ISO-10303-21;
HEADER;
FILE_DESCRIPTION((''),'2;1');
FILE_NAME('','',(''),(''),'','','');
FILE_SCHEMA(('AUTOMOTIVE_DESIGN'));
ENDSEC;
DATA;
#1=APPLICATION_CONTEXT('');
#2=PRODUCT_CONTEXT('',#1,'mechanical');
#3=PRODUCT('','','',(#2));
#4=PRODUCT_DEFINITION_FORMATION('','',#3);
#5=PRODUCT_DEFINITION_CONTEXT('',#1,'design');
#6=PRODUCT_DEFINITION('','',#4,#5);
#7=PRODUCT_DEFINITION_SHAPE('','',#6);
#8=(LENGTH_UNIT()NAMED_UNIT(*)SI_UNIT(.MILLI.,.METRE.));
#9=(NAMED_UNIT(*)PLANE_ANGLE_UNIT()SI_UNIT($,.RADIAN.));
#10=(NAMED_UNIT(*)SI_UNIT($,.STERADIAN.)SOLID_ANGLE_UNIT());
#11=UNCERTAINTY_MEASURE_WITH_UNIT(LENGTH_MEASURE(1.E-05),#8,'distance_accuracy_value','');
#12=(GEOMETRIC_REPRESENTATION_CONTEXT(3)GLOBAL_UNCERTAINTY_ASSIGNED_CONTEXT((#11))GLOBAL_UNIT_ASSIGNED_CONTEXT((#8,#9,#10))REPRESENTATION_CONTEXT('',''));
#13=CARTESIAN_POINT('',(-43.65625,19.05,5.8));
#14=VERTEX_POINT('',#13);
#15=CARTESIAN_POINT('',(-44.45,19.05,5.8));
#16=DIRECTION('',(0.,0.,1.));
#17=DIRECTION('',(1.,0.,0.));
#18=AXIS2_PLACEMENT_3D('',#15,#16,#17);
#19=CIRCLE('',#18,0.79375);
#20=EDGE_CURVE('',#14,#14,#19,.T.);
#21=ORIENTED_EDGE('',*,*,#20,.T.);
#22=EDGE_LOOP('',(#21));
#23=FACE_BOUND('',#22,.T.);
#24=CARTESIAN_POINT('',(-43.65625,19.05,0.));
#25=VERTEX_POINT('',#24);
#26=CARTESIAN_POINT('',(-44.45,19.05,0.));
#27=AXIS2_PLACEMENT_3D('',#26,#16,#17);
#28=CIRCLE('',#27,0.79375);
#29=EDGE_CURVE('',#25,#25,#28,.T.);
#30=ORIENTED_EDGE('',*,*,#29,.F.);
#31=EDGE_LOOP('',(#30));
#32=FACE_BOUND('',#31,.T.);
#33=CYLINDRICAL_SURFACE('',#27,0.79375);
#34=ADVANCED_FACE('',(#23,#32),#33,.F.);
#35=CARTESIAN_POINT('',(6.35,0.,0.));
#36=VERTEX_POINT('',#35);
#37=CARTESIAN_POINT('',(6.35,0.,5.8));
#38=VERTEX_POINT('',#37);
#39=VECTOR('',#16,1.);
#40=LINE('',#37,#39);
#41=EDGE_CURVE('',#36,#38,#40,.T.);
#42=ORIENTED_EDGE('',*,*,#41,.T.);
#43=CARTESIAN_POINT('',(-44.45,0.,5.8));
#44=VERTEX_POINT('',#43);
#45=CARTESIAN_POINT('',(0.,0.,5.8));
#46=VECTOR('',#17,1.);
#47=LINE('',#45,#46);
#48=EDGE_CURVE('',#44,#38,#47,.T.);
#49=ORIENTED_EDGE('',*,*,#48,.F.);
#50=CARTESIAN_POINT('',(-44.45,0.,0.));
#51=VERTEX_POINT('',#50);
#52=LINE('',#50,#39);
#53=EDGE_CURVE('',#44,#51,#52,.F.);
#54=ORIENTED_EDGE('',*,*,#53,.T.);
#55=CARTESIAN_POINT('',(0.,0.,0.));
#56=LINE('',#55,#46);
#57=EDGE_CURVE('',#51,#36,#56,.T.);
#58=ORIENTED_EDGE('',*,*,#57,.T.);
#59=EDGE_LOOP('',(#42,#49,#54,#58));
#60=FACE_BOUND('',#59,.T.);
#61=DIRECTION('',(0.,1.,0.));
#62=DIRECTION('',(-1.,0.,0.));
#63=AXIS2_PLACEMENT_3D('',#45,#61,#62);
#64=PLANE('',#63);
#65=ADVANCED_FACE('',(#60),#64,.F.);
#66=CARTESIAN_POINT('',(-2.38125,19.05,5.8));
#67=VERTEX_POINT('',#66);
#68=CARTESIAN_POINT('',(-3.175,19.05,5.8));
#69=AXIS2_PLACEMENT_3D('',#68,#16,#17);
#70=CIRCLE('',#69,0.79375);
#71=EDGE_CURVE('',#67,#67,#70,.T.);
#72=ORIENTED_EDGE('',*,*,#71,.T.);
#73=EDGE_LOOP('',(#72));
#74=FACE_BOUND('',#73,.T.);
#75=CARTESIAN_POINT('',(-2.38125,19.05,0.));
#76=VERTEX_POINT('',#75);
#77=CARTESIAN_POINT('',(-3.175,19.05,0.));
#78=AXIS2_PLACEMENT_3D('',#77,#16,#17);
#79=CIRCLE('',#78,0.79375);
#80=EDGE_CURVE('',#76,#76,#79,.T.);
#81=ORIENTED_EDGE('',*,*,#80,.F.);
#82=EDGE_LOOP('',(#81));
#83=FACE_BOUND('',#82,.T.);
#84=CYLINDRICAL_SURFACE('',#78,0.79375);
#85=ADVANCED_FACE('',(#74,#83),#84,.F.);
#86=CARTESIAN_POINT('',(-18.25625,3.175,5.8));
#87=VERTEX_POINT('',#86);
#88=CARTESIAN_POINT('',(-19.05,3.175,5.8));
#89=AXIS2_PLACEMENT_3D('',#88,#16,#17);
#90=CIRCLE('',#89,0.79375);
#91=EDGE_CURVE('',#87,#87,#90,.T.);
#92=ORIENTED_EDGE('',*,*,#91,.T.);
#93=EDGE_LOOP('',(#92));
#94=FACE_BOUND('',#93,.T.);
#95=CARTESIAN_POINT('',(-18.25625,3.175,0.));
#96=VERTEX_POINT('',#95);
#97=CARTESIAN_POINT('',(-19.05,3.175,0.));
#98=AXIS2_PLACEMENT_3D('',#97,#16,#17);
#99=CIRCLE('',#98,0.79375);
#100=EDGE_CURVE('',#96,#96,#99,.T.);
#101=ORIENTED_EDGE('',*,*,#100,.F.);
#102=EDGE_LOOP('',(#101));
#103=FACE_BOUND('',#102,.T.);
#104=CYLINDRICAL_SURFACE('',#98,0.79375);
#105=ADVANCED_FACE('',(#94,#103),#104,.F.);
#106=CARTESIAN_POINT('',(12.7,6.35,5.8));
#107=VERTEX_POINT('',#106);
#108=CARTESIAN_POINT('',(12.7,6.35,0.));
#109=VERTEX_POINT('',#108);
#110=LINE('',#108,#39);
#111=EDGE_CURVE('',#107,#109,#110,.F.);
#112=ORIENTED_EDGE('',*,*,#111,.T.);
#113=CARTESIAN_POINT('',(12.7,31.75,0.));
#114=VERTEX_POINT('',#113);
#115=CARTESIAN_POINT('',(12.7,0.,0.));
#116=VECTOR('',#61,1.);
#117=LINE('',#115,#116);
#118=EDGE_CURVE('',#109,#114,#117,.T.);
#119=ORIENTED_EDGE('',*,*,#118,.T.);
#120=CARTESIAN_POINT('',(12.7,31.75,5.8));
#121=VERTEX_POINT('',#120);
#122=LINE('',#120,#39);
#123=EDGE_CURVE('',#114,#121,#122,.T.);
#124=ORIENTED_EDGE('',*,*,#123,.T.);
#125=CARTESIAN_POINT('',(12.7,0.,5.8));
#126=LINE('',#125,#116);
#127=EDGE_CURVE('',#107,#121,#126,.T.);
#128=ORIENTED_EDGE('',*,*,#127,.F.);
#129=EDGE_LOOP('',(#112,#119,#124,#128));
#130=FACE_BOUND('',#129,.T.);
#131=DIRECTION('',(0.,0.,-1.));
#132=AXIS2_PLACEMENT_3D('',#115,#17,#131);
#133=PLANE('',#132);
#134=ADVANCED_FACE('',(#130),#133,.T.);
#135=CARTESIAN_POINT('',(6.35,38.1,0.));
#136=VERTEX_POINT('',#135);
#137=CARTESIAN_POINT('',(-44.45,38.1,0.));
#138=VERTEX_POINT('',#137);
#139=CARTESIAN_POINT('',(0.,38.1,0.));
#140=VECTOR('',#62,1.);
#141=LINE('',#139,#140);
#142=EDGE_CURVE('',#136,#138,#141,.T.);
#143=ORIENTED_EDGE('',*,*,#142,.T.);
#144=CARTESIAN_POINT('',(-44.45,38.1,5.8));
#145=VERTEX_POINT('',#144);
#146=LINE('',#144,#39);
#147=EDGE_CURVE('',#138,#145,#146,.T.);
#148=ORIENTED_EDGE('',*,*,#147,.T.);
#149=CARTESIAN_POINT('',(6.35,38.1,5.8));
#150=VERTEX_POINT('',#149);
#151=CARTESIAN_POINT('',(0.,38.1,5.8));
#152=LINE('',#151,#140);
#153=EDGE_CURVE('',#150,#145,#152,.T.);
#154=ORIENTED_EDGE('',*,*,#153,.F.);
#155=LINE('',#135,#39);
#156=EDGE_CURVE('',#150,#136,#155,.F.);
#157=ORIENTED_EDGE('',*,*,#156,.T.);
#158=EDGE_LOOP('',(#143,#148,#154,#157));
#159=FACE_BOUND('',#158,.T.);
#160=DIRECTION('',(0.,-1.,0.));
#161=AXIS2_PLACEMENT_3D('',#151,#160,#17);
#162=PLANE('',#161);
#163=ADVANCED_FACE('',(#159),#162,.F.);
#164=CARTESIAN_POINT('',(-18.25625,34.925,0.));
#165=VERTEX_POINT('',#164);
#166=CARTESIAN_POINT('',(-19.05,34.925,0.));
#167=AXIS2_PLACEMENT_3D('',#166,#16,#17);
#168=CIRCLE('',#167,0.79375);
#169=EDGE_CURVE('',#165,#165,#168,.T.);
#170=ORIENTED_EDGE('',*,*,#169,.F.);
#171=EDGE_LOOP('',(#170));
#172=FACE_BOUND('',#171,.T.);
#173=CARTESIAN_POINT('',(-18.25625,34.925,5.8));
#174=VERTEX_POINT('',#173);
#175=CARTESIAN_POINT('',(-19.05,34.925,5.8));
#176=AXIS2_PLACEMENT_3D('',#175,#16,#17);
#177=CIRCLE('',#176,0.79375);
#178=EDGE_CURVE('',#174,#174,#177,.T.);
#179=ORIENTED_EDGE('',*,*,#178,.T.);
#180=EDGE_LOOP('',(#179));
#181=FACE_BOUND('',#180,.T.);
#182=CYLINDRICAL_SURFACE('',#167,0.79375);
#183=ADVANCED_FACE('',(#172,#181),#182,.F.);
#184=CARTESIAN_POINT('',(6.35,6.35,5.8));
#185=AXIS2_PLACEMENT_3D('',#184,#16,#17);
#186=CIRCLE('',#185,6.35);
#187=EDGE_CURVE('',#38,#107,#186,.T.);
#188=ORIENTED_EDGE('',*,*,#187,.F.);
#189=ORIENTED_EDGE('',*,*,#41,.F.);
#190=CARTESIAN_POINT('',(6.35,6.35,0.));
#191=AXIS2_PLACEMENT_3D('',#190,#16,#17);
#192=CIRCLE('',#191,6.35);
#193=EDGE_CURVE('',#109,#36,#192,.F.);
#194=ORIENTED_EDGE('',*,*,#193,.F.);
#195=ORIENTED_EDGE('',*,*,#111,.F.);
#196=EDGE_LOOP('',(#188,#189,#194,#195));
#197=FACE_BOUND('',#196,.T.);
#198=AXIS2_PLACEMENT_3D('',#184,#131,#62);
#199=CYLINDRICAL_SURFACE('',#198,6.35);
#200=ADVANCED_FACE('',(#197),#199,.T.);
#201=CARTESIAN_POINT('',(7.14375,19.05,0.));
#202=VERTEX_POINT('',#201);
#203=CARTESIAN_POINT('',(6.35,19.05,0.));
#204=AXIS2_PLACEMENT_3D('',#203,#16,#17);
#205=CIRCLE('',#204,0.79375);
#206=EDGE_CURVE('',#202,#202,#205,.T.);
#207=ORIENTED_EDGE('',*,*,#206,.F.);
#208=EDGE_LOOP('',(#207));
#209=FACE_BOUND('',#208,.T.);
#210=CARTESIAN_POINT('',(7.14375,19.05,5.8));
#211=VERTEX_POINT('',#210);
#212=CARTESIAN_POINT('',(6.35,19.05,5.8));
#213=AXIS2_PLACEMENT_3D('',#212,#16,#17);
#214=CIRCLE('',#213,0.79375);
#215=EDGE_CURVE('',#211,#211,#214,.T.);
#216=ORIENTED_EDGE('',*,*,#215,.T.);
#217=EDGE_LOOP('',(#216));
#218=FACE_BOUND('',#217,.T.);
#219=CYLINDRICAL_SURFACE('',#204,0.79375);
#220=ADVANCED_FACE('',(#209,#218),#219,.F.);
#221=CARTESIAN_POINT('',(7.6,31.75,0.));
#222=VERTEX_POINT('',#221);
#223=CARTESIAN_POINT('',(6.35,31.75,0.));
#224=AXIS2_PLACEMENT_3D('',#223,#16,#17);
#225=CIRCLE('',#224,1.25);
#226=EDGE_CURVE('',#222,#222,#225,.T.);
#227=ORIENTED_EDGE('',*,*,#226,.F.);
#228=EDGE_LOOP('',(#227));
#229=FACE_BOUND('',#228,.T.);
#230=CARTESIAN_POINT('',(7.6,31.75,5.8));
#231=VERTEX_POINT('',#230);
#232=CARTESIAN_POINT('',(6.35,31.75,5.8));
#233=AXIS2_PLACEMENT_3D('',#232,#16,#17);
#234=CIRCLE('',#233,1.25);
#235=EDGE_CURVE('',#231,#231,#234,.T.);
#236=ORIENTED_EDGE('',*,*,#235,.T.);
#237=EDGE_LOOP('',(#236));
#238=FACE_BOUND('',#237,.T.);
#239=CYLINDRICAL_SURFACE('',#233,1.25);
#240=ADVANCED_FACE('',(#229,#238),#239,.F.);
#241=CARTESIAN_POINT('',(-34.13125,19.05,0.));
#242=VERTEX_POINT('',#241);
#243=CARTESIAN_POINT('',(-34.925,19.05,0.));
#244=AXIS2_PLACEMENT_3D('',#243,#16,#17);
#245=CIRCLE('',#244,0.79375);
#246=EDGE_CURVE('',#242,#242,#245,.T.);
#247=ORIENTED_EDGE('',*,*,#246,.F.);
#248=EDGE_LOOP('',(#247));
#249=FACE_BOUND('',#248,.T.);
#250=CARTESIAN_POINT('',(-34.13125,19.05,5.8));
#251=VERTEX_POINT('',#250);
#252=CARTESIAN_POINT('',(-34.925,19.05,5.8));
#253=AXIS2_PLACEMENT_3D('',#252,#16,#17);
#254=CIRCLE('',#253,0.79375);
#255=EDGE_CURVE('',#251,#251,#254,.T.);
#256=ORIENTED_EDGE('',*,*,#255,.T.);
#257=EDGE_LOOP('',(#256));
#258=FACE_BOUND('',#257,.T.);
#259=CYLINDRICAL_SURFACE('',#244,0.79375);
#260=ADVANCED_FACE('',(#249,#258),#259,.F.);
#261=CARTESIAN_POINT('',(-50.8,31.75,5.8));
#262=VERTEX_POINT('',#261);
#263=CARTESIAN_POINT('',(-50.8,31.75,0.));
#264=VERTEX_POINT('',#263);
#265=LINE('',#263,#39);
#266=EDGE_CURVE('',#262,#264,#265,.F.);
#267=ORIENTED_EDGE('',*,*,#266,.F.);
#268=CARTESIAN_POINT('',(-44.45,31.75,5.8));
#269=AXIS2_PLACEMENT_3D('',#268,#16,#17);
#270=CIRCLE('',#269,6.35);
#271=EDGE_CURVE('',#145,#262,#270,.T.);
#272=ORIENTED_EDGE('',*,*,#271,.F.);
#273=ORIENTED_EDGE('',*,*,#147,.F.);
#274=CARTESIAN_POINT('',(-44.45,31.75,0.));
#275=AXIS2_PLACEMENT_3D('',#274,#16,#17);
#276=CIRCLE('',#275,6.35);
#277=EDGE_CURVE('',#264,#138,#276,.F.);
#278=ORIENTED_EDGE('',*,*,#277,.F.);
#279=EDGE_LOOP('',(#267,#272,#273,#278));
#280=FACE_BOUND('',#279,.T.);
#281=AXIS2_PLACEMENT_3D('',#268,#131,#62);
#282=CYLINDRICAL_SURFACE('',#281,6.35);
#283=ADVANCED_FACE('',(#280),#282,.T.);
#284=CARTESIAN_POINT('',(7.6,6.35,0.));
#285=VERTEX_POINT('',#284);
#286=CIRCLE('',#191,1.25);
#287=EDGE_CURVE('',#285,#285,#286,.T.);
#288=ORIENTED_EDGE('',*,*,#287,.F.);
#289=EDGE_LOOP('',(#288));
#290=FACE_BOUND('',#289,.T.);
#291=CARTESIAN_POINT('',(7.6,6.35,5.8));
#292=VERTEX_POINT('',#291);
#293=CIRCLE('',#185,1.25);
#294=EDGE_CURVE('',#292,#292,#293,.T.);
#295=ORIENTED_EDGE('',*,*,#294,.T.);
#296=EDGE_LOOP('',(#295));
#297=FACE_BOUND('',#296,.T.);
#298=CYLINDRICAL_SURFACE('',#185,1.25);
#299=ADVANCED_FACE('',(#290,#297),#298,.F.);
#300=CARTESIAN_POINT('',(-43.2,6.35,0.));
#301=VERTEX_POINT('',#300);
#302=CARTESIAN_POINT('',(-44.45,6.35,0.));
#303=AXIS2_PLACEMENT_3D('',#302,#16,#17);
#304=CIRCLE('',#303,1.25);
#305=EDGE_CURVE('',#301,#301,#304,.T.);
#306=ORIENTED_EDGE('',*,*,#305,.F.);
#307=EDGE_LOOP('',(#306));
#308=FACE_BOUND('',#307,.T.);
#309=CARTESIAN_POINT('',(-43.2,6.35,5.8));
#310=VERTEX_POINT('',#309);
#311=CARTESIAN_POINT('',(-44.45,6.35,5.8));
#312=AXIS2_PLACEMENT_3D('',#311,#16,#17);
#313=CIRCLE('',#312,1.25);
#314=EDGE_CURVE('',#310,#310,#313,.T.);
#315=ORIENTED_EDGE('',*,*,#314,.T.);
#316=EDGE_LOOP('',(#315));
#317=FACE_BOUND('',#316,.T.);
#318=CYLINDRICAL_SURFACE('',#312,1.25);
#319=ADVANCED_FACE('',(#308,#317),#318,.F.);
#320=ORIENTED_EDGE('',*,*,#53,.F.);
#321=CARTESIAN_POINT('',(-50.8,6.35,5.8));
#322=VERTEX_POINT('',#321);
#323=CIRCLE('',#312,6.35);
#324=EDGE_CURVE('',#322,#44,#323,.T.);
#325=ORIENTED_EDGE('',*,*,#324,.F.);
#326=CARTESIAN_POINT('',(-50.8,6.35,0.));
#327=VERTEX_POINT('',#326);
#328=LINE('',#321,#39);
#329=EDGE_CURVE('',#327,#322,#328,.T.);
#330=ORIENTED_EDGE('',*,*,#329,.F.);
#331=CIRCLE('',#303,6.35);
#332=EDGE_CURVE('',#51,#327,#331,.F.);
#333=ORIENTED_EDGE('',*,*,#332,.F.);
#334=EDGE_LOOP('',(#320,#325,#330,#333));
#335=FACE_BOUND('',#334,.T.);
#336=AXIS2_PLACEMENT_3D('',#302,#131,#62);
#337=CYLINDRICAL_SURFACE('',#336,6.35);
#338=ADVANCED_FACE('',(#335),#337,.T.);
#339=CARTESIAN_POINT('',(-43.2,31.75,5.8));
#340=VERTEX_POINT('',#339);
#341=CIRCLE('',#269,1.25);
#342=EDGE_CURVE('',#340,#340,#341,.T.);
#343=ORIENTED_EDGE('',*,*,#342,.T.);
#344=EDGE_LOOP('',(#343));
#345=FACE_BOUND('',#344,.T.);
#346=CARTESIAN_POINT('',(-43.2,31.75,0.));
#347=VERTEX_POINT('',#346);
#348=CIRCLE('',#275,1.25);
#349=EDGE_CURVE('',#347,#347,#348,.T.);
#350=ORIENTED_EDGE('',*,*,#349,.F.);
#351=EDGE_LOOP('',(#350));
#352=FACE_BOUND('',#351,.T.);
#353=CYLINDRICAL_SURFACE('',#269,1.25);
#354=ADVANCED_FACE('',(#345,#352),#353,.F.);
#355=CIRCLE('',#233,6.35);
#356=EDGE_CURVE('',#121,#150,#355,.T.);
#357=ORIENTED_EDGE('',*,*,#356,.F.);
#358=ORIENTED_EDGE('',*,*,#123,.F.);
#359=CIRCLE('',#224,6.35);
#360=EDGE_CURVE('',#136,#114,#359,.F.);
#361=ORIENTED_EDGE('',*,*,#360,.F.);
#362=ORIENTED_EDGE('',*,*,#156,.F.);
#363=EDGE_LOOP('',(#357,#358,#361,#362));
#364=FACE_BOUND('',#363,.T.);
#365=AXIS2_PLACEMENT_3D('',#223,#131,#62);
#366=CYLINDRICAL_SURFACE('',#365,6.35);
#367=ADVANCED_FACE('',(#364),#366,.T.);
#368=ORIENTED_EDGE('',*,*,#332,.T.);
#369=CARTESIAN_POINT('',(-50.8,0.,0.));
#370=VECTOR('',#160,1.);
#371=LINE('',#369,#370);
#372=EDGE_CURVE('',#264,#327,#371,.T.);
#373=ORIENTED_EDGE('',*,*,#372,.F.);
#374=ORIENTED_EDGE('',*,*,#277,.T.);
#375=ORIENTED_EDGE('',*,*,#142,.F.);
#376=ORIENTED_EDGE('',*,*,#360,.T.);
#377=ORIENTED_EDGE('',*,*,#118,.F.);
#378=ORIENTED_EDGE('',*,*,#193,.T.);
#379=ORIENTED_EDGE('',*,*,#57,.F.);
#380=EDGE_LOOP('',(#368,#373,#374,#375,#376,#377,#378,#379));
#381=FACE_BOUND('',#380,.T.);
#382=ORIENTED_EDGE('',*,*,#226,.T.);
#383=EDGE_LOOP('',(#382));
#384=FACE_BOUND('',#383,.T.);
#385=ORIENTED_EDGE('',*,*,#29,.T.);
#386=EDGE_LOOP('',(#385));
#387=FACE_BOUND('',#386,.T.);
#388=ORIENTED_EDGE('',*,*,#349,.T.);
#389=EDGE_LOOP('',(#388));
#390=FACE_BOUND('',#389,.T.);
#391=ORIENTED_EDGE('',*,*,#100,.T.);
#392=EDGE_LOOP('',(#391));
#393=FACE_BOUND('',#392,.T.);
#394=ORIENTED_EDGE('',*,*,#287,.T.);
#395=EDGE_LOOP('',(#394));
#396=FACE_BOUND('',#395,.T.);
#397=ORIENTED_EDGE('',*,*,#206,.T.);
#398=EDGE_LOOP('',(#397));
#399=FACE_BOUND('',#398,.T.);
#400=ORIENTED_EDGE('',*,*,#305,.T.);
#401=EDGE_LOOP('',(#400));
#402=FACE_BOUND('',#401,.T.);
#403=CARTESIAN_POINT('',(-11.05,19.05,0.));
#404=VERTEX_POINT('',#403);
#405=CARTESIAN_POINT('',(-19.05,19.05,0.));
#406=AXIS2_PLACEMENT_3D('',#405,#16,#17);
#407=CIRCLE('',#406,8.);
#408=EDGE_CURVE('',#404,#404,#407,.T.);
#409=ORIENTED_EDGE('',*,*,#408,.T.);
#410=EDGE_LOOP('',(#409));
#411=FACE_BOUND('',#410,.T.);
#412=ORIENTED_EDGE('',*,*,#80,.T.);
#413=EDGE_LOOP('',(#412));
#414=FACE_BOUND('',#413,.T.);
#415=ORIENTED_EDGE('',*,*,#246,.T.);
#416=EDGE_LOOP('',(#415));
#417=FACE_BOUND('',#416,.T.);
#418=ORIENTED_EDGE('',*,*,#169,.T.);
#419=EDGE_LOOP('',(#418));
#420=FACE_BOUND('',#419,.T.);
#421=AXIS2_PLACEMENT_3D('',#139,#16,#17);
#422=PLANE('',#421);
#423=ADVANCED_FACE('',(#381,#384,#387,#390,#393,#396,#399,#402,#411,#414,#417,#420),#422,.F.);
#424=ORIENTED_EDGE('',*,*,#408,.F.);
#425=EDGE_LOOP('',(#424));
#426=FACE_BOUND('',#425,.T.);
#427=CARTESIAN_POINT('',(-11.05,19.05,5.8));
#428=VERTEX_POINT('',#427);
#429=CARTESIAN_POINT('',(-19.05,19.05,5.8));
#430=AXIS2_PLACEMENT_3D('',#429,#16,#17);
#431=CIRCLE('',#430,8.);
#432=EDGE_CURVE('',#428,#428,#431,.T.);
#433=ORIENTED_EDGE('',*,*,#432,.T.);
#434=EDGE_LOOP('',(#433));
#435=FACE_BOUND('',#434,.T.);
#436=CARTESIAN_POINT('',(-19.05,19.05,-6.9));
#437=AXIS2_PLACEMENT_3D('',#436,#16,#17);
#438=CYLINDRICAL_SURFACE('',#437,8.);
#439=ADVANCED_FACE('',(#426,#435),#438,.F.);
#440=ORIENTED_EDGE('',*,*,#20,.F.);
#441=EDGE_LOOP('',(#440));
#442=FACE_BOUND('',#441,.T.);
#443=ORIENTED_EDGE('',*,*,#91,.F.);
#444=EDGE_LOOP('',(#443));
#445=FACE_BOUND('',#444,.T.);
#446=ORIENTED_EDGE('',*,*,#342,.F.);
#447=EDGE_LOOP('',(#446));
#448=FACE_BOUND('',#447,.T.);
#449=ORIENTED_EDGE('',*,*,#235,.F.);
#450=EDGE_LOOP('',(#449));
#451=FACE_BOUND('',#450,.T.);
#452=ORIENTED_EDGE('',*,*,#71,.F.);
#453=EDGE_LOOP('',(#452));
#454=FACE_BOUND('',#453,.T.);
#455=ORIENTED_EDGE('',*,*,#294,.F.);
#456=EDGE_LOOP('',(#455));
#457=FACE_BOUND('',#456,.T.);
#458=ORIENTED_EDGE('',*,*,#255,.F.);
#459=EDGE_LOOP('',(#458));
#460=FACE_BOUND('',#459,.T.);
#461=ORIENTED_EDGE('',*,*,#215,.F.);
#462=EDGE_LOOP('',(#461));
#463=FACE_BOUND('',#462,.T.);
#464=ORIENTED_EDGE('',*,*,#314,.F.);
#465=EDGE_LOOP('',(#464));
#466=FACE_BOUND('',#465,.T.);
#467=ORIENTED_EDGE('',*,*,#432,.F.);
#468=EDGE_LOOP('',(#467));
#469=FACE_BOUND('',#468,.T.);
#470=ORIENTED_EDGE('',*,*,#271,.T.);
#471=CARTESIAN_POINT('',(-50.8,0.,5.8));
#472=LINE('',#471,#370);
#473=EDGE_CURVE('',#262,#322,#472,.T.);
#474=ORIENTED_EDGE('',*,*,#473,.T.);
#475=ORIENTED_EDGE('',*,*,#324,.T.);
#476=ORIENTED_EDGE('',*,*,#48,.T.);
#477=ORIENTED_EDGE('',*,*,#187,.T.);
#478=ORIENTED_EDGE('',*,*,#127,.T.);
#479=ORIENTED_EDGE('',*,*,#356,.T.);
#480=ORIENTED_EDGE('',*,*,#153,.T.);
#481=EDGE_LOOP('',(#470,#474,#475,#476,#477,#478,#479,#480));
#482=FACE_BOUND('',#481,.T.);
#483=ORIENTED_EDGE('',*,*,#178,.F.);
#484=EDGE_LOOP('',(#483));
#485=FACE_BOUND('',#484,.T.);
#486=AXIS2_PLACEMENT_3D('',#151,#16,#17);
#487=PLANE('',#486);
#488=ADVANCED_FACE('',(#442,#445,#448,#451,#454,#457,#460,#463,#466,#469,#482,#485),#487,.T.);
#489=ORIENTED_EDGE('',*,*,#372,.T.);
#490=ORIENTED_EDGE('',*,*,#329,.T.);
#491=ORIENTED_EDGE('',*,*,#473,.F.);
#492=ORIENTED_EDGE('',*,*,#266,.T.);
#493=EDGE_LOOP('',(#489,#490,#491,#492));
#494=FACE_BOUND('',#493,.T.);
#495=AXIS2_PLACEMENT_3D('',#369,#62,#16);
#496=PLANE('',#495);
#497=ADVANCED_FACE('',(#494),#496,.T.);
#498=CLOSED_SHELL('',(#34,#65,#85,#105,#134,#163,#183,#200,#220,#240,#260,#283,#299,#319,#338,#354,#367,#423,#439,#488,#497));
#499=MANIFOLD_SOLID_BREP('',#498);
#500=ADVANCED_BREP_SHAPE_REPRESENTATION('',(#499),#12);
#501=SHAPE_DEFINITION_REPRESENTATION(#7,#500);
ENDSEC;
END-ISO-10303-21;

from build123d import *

# Parameters (mm, degrees)
SKETCH1_W                 = 38.1
SKETCH1_H                 = 38.1
BOSS_EXTRUDE1_DEPTH       = 5.8
SKETCH2_R                 = 8
CUT_EXTRUDE1_DEPTH        = 12.7
SKETCH4_R                 = 0.79375
CUT_EXTRUDE3_DEPTH        = 55.19280395
SKETCH6_W                 = 12.7
SKETCH6_H                 = 38.1
BOSS_EXTRUDE2_DEPTH       = 5.8
M3X0_5_TAPPED_HOLE1_D     = 2.5
M3X0_5_TAPPED_HOLE1_DEPTH = 7.5
M3X0_5_TAPPED_HOLE1_TIP   = 0.751075774
SKETCH9_R                 = 0.79375
CUT_EXTRUDE4_DEPTH        = 64.764331722
FILLET1_R                 = 6.35


with BuildPart() as part:
    # Sketch1 → Boss-Extrude1 (new body)
    with BuildSketch(Plane.XY):
        with Locations((-19.05, 19.05)):
            Rectangle(SKETCH1_W, SKETCH1_H)
    extrude(amount=BOSS_EXTRUDE1_DEPTH)

    # Sketch2 → Cut-Extrude1 (cut)
    with BuildSketch(Plane.XY.offset(5.8)):
        with Locations((-19.05, 19.05)):
            Circle(SKETCH2_R)
    extrude(amount=-CUT_EXTRUDE1_DEPTH, mode=Mode.SUBTRACT)

    # Sketch4 → Cut-Extrude3 (cut, through all)
    with BuildSketch(Plane.XY.offset(5.8)):
        with Locations((-34.925, 19.05)):
            Circle(SKETCH4_R)
        with Locations((-19.05, 34.925)):
            Circle(SKETCH4_R)
        with Locations((-3.175, 19.05)):
            Circle(SKETCH4_R)
        with Locations((-19.05, 3.175)):
            Circle(SKETCH4_R)
    extrude(amount=-CUT_EXTRUDE3_DEPTH, mode=Mode.SUBTRACT)

    # Sketch6 → Boss-Extrude2 (add, through all)
    with BuildSketch(Plane.XY.offset(5.8)):
        with Locations((6.35, 19.05)):
            Rectangle(SKETCH6_W, SKETCH6_H)
        with Locations((-44.45, 19.05)):
            Rectangle(SKETCH6_W, SKETCH6_H)
    extrude(amount=-BOSS_EXTRUDE2_DEPTH)

    # M3x0.5 Tapped Hole1
    with Locations(Plane.XY.offset(5.8)):
        with Locations((-44.45, 31.75), (6.35, 31.75), (6.35, 6.35), (-44.45, 6.35)):
            Hole(M3X0_5_TAPPED_HOLE1_D / 2, depth=M3X0_5_TAPPED_HOLE1_DEPTH)
            with Locations((0, 0, -(M3X0_5_TAPPED_HOLE1_DEPTH + M3X0_5_TAPPED_HOLE1_TIP / 2))):  # 118° drill point
                Cone(0, M3X0_5_TAPPED_HOLE1_D / 2, M3X0_5_TAPPED_HOLE1_TIP, mode=Mode.SUBTRACT)

    # Sketch9 → Cut-Extrude4 (cut, through all)
    with BuildSketch(Plane.XY.offset(5.8)):
        with Locations((-44.45, 19.05)):
            Circle(SKETCH9_R)
        with Locations((6.35, 19.05)):
            Circle(SKETCH9_R)
    extrude(amount=-CUT_EXTRUDE4_DEPTH, mode=Mode.SUBTRACT)

    # Fillet1
    fillet1_edges = [part.edges().sort_by_distance(p)[0] for p in [
        (12.7, 38.1, 2.9),
        (12.7, 0, 2.9),
        (-50.8, 0, 2.9),
        (-50.8, 38.1, 2.9),
    ]]
    fillet(fillet1_edges, radius=FILLET1_R)


solid = part.part
